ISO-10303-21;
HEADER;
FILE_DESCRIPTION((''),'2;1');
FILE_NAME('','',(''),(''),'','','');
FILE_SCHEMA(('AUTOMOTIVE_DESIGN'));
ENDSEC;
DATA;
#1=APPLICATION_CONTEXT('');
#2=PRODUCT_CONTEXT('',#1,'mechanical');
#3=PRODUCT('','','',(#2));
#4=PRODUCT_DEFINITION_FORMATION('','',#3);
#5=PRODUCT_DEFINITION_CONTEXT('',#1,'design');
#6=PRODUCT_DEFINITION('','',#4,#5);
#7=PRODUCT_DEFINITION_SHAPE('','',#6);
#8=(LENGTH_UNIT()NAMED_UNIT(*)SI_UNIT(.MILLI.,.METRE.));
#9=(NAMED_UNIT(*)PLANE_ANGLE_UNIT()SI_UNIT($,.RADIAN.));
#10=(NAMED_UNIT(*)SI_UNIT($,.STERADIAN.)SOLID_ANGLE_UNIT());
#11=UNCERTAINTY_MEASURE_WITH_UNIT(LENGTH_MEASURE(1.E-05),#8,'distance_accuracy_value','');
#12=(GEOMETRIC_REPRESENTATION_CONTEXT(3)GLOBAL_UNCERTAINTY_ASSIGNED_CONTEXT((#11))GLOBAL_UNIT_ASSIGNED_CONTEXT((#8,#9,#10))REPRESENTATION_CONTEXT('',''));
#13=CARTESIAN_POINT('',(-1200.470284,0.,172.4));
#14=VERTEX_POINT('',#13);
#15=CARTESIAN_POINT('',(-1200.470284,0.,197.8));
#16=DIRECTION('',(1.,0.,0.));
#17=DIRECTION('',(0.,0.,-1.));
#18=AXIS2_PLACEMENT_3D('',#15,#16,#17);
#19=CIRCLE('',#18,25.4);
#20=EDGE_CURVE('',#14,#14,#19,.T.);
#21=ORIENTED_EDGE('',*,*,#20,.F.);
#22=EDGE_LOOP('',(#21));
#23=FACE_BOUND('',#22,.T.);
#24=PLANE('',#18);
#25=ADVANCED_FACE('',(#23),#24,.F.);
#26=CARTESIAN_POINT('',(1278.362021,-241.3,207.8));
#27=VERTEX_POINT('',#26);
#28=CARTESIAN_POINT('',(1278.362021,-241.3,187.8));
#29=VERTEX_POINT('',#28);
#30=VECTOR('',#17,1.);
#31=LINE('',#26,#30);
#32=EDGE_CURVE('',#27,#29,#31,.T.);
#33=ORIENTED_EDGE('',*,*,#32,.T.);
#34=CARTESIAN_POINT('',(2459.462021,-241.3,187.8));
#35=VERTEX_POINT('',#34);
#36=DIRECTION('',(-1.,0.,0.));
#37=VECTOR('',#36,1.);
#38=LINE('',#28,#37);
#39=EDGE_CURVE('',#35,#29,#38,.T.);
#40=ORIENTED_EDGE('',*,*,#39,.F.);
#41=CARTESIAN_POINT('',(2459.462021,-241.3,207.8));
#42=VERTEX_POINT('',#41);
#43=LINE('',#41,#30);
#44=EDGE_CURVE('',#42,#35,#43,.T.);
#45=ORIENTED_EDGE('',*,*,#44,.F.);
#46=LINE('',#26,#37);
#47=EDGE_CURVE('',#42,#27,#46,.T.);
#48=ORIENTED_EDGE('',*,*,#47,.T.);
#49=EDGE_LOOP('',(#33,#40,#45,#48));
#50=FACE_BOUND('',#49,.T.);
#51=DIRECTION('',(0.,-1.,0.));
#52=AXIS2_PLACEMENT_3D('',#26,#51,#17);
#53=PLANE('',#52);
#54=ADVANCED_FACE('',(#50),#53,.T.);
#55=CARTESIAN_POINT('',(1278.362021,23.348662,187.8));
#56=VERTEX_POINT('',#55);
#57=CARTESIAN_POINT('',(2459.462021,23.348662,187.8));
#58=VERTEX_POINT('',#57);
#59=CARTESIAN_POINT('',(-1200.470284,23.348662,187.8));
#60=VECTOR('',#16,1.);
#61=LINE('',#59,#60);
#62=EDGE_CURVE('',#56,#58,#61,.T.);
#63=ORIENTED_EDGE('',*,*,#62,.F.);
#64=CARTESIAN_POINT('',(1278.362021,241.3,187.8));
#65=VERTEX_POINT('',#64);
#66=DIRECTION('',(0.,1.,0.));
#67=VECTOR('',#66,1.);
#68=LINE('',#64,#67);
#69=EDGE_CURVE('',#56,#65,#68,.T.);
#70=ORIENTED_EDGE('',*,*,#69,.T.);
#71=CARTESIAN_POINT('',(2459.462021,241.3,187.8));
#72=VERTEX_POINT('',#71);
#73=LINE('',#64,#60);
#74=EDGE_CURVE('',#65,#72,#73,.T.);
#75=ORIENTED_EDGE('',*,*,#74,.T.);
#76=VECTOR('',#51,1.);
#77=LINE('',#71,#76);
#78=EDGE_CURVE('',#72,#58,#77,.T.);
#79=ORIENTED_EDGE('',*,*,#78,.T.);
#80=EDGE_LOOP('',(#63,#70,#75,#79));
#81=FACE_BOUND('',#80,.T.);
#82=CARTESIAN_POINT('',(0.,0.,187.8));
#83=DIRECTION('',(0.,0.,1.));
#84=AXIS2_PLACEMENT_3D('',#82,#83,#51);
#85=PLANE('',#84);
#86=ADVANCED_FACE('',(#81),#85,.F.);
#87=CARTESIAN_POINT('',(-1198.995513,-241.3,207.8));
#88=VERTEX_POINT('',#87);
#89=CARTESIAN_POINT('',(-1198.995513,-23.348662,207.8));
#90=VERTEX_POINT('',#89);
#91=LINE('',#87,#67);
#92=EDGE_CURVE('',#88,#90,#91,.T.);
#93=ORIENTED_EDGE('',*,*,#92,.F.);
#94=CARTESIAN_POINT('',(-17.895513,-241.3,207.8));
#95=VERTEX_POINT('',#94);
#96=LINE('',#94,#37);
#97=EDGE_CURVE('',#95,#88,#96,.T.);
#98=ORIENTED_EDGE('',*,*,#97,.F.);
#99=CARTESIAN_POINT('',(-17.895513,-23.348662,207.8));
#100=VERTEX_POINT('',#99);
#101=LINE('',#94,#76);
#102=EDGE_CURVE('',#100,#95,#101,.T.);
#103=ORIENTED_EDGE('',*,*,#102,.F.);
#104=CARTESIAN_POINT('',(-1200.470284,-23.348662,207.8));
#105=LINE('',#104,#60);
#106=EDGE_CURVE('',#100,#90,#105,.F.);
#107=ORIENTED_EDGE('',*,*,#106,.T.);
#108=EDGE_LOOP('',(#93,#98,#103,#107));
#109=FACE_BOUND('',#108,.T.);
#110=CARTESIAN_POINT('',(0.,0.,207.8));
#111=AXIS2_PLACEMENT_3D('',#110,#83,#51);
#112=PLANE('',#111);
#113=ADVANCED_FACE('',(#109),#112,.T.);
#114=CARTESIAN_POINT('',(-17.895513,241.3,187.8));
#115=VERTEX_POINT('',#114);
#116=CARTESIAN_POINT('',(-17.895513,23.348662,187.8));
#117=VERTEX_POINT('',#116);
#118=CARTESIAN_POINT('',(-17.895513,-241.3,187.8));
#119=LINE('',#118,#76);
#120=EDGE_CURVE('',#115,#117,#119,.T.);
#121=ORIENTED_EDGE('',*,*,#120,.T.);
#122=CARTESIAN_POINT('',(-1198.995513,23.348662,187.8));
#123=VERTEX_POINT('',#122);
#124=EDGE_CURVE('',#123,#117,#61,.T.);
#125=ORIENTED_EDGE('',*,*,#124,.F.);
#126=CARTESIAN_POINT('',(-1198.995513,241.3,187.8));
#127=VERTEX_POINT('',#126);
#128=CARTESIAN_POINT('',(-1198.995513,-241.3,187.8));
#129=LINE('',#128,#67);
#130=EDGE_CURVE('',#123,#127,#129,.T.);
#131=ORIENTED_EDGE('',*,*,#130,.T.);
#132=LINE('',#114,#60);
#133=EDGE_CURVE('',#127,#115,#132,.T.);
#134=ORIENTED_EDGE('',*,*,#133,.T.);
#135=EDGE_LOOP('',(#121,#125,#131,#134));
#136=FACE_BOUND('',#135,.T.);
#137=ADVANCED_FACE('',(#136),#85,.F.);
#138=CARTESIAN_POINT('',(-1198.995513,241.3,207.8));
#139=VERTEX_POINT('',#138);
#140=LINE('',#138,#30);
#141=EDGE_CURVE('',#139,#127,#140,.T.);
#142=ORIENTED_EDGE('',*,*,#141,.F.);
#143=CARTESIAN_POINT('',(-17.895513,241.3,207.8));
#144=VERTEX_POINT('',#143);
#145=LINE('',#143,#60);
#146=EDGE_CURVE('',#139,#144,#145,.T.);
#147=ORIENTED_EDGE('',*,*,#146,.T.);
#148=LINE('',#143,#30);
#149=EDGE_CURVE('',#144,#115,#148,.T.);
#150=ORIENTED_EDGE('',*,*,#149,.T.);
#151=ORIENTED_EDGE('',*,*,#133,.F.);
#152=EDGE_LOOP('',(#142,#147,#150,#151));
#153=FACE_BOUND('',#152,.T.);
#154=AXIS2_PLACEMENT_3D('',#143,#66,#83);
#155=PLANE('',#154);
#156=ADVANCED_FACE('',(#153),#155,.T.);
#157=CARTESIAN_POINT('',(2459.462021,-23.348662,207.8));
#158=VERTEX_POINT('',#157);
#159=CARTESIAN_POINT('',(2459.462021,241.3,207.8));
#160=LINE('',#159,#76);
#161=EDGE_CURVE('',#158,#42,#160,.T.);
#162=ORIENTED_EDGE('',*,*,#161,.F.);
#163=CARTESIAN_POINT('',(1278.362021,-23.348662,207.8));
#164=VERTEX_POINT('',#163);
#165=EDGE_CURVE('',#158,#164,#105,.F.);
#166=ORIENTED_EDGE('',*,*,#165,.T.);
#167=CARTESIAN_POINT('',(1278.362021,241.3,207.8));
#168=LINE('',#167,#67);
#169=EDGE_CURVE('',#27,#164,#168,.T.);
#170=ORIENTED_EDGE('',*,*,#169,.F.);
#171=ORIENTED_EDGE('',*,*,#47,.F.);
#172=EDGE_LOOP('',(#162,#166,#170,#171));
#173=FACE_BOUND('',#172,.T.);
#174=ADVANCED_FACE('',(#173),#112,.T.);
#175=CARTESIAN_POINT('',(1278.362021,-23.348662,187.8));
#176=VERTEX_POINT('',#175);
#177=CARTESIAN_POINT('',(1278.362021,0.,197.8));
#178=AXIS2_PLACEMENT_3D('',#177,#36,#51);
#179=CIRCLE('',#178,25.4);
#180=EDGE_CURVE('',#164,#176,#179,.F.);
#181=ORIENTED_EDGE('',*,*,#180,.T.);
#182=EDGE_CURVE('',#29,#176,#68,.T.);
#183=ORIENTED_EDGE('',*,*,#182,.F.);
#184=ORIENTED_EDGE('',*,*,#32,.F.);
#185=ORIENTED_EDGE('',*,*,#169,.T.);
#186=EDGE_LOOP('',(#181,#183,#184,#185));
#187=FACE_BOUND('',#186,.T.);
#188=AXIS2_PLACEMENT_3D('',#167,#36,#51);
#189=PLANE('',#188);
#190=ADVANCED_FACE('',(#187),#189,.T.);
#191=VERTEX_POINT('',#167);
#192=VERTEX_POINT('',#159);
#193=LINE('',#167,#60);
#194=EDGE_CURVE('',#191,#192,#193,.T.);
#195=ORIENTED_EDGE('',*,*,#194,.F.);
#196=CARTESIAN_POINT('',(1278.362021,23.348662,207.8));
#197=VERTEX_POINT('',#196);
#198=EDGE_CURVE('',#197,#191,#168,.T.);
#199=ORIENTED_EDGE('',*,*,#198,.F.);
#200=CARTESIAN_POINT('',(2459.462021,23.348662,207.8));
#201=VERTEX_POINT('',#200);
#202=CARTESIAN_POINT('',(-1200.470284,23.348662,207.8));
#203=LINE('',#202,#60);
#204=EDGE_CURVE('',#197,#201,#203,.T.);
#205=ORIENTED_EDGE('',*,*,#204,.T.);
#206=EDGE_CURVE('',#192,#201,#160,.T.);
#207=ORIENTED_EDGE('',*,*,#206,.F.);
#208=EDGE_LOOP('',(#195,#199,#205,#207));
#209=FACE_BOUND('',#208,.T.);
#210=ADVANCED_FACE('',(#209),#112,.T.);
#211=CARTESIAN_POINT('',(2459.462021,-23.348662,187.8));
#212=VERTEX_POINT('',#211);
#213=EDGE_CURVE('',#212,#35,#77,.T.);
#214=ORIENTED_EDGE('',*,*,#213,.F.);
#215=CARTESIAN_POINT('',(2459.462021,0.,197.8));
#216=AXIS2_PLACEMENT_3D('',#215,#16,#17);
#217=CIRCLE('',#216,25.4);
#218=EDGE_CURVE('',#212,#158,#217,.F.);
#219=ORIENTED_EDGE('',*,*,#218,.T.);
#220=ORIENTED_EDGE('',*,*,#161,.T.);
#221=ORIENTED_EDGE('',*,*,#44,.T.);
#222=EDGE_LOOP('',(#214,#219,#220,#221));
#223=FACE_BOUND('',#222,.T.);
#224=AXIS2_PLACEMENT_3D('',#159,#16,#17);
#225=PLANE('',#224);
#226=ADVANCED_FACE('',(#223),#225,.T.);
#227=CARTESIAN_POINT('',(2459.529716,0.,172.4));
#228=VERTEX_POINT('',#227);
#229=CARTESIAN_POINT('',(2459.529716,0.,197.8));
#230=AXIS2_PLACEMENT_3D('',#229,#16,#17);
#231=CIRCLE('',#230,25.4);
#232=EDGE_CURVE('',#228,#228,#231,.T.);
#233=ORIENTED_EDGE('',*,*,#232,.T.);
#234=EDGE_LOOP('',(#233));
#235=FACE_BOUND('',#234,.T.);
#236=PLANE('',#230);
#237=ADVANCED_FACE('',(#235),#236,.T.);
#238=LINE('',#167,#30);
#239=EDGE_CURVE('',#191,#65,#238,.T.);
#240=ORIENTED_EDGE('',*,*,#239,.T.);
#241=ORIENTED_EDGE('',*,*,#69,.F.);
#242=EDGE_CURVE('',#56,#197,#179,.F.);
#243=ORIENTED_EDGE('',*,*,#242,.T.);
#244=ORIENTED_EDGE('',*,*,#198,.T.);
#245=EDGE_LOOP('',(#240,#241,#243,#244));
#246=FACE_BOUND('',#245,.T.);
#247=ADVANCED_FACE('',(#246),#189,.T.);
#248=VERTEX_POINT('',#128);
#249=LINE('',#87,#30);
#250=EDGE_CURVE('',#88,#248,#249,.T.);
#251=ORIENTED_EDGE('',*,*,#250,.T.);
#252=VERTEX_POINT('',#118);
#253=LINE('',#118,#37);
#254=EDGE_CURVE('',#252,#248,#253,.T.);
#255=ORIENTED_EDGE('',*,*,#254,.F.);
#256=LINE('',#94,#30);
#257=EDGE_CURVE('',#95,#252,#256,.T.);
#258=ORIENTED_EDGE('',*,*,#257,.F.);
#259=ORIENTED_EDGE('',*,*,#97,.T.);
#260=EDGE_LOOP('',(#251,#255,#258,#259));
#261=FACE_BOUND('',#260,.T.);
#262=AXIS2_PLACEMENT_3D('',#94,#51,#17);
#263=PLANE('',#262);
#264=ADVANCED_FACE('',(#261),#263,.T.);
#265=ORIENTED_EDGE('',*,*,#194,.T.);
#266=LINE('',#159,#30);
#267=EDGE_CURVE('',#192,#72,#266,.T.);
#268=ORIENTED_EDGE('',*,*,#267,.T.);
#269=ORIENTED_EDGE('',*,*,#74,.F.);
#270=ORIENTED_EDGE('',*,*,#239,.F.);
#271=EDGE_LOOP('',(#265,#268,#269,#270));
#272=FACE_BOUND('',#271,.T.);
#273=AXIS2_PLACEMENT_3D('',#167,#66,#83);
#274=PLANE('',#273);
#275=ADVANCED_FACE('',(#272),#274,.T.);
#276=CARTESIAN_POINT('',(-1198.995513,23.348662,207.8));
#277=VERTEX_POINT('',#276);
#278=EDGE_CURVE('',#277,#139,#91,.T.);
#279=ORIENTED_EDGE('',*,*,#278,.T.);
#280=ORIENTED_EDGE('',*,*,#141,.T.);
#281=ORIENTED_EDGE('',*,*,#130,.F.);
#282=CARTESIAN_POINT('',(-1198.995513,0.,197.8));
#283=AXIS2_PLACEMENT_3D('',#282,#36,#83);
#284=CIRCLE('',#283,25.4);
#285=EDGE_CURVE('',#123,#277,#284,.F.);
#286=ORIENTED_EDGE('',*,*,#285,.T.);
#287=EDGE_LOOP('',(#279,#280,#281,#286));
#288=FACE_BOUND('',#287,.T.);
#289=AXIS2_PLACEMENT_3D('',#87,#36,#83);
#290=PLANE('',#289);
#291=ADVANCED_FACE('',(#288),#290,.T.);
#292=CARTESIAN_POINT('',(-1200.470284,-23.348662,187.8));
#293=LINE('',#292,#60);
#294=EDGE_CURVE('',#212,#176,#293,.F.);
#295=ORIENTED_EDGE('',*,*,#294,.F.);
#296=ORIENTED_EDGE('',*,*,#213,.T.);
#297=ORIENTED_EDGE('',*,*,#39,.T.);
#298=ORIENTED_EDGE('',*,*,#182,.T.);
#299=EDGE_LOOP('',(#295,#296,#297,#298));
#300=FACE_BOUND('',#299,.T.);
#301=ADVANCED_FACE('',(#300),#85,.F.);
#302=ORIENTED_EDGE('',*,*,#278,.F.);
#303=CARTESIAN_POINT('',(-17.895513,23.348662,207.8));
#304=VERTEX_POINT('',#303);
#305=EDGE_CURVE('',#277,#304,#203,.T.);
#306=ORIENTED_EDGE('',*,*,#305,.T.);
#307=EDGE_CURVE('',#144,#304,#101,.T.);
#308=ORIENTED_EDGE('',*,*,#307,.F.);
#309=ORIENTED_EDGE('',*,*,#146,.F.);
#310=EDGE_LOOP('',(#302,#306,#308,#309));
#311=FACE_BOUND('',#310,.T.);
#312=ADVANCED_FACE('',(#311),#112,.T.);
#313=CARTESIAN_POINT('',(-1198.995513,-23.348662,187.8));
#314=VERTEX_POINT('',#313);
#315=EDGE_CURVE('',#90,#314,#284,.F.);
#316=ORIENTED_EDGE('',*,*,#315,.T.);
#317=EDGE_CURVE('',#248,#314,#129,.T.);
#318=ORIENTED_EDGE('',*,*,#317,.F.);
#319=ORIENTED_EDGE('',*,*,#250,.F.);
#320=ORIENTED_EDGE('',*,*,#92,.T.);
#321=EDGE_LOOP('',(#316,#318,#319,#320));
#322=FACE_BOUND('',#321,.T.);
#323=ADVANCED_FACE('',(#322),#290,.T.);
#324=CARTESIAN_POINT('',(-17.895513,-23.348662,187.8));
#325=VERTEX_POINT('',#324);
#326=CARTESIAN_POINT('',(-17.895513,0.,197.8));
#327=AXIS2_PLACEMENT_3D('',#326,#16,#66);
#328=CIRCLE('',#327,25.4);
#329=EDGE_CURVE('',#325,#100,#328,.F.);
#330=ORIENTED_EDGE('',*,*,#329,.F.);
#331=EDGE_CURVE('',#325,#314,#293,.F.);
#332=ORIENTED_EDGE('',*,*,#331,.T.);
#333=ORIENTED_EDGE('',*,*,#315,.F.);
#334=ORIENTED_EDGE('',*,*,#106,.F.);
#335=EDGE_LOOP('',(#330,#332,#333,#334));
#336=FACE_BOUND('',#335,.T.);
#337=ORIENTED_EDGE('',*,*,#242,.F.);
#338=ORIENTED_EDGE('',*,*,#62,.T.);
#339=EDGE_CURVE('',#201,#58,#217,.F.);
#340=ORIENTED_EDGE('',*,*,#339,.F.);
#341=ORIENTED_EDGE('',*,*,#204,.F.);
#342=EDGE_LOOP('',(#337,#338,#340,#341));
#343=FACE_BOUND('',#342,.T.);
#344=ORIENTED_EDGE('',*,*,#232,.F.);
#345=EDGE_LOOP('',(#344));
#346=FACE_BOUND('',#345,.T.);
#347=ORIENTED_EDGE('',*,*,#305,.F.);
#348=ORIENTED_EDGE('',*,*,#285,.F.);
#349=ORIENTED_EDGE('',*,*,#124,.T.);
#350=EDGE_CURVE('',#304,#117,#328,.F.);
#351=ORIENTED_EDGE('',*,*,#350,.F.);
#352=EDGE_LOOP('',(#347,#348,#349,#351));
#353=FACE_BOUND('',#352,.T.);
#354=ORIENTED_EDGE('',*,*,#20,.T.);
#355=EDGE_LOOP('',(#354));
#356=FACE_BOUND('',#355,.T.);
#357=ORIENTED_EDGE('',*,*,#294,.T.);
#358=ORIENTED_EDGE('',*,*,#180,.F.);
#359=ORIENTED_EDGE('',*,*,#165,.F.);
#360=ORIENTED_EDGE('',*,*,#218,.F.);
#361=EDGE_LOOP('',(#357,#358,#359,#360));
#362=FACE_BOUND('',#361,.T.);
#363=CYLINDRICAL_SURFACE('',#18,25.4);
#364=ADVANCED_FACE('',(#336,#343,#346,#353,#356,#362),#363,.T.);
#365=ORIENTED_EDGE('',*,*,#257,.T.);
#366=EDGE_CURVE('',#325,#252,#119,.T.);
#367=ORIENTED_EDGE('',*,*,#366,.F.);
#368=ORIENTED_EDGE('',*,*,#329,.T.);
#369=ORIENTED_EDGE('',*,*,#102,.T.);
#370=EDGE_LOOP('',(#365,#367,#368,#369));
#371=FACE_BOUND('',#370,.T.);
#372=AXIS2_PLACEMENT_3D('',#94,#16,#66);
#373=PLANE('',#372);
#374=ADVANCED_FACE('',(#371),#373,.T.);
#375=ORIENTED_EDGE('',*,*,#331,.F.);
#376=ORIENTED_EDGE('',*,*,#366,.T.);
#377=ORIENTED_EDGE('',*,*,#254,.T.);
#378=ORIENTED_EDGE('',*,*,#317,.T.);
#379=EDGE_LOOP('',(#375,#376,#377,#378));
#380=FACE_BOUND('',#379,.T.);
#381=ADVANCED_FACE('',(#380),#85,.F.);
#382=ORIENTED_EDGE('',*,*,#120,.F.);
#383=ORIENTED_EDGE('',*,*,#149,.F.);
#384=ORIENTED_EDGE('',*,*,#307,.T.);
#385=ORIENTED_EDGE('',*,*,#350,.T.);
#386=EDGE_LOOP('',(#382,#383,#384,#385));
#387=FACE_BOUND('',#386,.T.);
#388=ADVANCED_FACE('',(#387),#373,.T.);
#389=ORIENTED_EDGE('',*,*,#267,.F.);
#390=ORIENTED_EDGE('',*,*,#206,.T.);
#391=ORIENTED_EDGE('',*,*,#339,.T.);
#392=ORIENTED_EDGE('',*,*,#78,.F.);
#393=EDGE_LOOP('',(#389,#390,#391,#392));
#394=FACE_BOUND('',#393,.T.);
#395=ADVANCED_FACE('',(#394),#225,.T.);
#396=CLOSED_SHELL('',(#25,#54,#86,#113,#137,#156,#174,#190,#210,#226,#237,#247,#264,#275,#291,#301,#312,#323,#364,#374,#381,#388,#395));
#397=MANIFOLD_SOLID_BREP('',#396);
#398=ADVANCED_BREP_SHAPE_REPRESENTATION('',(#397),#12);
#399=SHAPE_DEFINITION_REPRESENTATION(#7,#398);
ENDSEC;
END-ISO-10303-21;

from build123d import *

# Parameters (mm, degrees)
SKETCH6_R                = 25.4
BOSS_EXTRUDE1_DEPTH      = 3660
BOSS_EXTRUDE3_DEPTH      = 10
BOSS_EXTRUDE3_DEPTH_BACK = 10
SKETCH7_W                = 1181.1
SKETCH7_H                = 482.6


with BuildPart() as part:
    # Sketch6 → Boss-Extrude1 (new body)
    with BuildSketch(Plane(origin=(2459.529716421, 0, 0), x_dir=(0, 0, -1), z_dir=(1, 0, 0))):
        with Locations((-197.8, 0)):
            Circle(SKETCH6_R)
    extrude(amount=-BOSS_EXTRUDE1_DEPTH)

    # Sketch7 → Boss-Extrude3 (add, two sides: drawn at the far end of the back side and taken through both)
    with BuildSketch(Plane(origin=(0, 0, 197.8), x_dir=(-1, 0, 0), z_dir=(0, 0, -1)).offset(-BOSS_EXTRUDE3_DEPTH_BACK)):
        with Locations((-1868.912021376, 0)):
            Rectangle(SKETCH7_W, SKETCH7_H)
        with Locations((608.445512971, 0)):
            Rectangle(SKETCH7_W, SKETCH7_H)
    extrude(amount=BOSS_EXTRUDE3_DEPTH + BOSS_EXTRUDE3_DEPTH_BACK)


solid = part.part
